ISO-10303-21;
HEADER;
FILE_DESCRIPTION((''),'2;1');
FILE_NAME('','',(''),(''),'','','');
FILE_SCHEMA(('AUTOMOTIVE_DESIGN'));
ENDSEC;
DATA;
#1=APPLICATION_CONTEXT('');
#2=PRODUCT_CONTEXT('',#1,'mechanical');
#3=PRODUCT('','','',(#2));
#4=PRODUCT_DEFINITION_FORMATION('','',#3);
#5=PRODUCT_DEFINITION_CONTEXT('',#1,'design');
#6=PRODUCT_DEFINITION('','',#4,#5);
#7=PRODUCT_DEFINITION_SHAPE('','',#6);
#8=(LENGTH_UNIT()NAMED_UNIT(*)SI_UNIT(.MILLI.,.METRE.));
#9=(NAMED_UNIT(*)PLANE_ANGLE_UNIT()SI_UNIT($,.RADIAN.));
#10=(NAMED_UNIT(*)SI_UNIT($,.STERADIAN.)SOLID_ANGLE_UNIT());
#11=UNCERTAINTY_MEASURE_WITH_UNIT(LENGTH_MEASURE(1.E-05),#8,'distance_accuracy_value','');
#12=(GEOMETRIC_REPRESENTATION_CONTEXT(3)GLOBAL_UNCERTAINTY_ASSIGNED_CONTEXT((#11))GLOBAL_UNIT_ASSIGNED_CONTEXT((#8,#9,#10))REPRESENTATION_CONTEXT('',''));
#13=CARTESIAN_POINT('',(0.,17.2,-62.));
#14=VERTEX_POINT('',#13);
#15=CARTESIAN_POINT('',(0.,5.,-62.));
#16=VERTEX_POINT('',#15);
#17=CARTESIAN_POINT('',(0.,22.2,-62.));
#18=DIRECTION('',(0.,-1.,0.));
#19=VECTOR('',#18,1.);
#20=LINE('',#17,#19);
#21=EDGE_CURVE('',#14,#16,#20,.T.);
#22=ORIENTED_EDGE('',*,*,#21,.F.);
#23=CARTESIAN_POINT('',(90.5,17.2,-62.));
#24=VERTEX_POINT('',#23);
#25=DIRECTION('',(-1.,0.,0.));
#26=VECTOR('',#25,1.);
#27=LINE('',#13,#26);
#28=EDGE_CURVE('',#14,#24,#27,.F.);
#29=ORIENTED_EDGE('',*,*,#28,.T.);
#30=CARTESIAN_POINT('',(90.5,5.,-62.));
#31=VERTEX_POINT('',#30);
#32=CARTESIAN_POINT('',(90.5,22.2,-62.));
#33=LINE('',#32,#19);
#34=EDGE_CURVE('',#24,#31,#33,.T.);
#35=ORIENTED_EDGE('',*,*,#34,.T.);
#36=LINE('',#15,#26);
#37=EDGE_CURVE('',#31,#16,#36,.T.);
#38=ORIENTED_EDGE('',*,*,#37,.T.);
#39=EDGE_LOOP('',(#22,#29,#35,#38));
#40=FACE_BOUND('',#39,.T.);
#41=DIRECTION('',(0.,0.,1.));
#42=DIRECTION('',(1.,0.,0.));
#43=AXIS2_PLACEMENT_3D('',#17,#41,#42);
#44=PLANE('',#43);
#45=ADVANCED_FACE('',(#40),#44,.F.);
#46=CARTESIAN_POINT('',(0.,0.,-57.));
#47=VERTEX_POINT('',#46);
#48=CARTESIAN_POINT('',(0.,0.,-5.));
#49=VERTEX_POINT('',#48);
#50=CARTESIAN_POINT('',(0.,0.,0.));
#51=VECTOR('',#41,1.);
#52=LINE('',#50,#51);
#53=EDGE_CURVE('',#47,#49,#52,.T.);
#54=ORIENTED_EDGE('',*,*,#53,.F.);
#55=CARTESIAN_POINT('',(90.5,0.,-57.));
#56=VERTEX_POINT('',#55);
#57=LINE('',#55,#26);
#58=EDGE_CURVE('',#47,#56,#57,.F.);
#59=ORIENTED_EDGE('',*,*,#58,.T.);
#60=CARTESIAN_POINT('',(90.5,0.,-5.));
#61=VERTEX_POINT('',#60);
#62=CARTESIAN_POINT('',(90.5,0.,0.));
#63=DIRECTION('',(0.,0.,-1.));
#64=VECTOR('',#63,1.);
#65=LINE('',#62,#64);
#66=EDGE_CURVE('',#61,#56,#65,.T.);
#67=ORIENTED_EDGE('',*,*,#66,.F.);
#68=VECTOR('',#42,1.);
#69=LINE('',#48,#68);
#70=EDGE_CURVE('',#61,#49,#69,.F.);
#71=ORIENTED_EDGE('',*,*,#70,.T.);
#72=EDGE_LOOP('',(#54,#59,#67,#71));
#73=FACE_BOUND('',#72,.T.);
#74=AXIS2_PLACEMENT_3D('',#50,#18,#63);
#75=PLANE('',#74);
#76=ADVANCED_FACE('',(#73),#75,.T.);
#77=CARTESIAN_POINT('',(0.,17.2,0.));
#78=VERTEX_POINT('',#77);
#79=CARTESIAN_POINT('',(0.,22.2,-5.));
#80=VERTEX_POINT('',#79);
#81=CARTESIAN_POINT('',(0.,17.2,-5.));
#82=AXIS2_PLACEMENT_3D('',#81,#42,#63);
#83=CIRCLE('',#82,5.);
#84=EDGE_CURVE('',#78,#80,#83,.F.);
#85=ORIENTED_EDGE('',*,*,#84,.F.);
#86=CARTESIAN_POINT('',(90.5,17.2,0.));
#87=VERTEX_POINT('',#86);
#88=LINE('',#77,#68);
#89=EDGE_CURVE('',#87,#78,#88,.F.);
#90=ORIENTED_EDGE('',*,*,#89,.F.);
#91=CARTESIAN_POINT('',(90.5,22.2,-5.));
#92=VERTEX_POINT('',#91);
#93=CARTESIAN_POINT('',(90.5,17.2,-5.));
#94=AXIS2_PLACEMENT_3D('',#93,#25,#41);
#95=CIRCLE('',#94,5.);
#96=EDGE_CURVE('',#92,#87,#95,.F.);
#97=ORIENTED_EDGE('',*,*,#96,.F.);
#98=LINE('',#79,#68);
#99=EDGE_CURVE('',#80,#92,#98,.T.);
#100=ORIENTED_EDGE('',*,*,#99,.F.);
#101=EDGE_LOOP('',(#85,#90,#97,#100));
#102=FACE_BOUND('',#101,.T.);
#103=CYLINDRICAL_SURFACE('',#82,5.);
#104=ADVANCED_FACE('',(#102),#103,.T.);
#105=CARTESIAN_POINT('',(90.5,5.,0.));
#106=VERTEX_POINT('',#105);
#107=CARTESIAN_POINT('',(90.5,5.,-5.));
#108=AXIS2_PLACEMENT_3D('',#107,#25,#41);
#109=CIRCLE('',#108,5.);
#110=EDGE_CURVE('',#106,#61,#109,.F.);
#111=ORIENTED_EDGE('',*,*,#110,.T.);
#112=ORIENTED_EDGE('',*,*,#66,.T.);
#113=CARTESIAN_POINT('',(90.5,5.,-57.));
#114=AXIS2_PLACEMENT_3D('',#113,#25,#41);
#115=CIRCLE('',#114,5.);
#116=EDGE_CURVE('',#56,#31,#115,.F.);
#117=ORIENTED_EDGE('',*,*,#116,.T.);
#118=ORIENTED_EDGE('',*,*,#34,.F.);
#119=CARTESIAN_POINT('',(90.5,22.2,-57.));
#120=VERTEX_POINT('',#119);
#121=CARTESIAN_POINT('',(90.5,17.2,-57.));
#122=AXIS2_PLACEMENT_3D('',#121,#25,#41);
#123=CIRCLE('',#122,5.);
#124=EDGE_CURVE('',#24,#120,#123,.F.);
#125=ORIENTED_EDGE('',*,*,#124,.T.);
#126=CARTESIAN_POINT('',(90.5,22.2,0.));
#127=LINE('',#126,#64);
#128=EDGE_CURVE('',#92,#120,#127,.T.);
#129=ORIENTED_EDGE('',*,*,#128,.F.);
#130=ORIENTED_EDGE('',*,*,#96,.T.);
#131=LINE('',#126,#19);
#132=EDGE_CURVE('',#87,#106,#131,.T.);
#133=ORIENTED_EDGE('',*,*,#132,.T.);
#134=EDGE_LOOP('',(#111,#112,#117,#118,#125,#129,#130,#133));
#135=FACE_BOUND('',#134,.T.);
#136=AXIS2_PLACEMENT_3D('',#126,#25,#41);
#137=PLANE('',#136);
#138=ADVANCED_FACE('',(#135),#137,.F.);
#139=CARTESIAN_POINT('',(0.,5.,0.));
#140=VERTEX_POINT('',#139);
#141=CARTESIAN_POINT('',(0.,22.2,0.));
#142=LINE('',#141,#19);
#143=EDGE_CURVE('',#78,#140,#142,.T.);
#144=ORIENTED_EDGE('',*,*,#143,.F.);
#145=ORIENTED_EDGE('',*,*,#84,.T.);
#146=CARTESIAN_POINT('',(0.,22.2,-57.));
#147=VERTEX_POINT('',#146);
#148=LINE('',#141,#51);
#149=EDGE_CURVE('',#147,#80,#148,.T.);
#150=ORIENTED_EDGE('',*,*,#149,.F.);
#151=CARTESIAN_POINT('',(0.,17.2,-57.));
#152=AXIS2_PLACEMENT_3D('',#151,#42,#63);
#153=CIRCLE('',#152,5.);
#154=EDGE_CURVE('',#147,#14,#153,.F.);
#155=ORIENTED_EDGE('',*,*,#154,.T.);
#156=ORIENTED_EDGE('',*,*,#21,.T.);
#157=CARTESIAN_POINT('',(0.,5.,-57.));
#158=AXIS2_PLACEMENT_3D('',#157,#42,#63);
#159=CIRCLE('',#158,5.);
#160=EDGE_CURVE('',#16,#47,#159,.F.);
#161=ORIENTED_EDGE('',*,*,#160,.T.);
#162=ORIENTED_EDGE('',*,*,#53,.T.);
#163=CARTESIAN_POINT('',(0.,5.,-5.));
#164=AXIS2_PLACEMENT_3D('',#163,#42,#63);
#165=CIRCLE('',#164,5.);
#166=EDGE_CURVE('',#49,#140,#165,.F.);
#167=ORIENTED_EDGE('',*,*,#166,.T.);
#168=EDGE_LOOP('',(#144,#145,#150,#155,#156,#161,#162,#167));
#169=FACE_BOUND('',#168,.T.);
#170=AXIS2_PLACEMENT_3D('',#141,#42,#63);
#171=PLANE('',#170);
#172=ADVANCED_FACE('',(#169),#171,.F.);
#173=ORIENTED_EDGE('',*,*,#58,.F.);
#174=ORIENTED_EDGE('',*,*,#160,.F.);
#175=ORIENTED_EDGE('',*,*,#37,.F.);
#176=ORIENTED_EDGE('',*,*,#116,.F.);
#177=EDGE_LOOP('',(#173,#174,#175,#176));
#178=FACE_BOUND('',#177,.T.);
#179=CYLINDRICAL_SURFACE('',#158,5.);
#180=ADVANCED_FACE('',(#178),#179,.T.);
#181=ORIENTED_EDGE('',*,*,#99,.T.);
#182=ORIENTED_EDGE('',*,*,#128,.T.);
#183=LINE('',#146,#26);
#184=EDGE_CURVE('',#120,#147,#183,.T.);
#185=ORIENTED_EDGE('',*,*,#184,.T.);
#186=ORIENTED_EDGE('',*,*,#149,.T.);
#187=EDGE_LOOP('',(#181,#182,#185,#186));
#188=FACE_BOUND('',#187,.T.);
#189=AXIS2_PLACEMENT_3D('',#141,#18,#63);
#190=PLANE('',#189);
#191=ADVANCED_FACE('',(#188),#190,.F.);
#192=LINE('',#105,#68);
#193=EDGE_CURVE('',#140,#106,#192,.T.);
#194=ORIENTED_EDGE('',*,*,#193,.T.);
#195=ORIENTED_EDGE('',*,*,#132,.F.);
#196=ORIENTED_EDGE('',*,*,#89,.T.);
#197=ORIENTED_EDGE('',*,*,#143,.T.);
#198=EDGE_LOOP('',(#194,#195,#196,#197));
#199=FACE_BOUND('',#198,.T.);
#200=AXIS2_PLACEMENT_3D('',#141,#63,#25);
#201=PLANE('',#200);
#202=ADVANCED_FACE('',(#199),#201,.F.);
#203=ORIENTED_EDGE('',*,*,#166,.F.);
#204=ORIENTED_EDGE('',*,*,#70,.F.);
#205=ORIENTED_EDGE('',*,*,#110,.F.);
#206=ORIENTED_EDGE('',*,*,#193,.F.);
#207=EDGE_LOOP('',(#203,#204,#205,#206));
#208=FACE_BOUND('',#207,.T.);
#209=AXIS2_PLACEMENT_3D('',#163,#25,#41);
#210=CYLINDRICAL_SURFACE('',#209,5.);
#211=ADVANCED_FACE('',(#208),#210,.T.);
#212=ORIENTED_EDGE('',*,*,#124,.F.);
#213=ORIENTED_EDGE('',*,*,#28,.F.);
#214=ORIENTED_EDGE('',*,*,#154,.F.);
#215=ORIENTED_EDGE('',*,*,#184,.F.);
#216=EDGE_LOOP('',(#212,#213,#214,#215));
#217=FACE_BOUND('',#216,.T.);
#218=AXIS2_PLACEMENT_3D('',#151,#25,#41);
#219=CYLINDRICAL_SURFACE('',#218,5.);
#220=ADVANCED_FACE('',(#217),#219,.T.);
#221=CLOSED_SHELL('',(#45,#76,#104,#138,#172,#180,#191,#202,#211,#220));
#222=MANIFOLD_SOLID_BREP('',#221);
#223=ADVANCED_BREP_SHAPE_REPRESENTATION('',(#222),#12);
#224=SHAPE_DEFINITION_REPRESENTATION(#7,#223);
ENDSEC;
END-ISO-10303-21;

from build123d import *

# Parameters (mm, degrees)
SKETCH1_W           = 90.5
SKETCH1_H           = 62
BOSS_EXTRUDE1_DEPTH = 22.2
FILLET1_R           = 5


with BuildPart() as part:
    # Sketch1 → Boss-Extrude1 (new body)
    with BuildSketch(Plane(origin=(0, 0, 0), x_dir=(1, 0, 0), z_dir=(0, 1, 0))):
        with Locations((45.25, 31)):
            Rectangle(SKETCH1_W, SKETCH1_H)
    extrude(amount=BOSS_EXTRUDE1_DEPTH)

    # Fillet1
    fillet1_edges = [part.edges().sort_by_distance(p)[0] for p in [
        (45.25, 22.2, -62),
        (45.25, 0, -62),
        (45.25, 0, 0),
        (45.25, 22.2, 0),
    ]]
    fillet(fillet1_edges, radius=FILLET1_R)


solid = part.part
